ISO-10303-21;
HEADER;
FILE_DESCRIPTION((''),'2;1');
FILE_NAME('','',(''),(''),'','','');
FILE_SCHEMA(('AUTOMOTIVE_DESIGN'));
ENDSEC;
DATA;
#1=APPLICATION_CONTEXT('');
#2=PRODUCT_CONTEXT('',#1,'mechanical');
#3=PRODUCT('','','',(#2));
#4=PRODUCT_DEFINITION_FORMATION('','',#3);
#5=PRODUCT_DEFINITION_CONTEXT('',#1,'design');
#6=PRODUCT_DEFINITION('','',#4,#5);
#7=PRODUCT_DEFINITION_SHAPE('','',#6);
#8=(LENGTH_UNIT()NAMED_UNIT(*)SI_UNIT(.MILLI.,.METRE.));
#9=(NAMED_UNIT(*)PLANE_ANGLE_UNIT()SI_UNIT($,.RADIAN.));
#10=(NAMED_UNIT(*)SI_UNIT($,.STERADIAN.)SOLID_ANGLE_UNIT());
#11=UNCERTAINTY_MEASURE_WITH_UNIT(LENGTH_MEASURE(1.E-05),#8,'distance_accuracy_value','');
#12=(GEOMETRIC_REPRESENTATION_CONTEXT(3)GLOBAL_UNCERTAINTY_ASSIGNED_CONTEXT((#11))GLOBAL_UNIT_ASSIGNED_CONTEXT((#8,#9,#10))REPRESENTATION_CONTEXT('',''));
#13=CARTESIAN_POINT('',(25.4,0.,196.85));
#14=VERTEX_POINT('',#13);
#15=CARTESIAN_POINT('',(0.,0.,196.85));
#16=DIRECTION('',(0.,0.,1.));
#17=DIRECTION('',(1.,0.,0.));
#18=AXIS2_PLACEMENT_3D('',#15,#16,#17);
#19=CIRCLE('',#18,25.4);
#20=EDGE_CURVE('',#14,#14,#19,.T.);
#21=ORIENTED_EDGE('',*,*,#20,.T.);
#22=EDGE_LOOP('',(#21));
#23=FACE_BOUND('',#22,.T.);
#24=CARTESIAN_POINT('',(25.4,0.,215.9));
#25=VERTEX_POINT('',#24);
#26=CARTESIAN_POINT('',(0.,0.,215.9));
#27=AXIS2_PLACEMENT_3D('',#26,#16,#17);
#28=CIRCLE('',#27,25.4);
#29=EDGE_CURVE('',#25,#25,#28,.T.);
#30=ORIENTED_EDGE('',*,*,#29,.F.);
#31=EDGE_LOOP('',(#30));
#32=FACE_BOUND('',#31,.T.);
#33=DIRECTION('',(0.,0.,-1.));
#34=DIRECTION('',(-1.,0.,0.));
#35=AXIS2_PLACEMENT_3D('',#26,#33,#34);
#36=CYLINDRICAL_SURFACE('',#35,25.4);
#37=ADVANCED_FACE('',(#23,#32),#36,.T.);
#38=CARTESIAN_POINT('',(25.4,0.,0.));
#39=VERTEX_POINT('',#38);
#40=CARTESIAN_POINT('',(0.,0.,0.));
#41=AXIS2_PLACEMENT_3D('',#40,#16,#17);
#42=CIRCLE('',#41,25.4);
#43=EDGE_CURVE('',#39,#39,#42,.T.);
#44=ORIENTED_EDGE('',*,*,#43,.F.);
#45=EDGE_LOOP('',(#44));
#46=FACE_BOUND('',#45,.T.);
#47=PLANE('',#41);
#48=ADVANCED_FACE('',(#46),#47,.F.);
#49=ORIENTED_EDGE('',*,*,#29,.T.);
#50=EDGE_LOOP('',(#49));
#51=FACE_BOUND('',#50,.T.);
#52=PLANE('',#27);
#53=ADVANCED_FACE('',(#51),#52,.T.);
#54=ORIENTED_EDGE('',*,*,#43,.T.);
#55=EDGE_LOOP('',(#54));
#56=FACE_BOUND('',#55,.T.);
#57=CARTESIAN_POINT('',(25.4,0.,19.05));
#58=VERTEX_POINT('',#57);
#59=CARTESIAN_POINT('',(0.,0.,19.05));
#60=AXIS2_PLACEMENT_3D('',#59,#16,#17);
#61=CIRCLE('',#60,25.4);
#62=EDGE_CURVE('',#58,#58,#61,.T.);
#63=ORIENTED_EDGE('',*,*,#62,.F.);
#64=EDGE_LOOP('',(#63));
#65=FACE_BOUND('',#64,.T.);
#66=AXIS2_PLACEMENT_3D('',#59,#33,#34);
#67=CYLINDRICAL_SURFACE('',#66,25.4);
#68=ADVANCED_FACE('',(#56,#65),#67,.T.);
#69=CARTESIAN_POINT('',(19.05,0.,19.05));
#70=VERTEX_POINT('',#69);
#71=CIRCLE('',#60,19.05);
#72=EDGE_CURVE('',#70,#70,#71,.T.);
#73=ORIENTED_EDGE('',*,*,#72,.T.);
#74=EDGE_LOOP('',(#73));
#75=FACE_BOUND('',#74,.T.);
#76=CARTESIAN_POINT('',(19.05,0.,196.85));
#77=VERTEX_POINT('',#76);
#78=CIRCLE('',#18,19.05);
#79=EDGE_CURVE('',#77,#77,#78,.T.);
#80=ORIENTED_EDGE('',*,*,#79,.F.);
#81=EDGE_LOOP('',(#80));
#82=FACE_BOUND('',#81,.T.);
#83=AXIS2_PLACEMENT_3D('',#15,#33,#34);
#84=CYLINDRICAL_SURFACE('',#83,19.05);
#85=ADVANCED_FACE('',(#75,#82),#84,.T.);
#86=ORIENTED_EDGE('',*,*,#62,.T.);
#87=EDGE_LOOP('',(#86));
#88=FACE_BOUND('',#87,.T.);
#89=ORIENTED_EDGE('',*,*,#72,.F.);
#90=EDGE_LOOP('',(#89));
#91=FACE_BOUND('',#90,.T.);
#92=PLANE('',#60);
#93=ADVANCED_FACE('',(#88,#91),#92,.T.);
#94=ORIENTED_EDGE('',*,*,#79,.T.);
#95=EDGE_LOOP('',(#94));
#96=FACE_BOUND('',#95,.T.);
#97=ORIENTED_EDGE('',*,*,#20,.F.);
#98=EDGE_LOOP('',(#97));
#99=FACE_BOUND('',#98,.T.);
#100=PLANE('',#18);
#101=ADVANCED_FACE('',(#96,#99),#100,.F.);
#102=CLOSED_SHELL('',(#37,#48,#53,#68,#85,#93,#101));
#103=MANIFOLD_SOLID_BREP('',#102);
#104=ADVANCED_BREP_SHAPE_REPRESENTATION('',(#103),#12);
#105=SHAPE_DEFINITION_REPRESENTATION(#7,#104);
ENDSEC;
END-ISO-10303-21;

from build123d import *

# Parameters (mm, degrees)
SKETCH1_R           = 25.4
BOSS_EXTRUDE1_DEPTH = 19.05
SKETCH2_R           = 19.05
BOSS_EXTRUDE3_DEPTH = 177.8
SKETCH4_R           = 25.4
BOSS_EXTRUDE4_DEPTH = 19.05


with BuildPart() as part:
    # Sketch1 → Boss-Extrude1 (new body)
    with BuildSketch(Plane.XY):
        Circle(SKETCH1_R)
    extrude(amount=BOSS_EXTRUDE1_DEPTH)

    # Sketch2 → Boss-Extrude3 (add)
    with BuildSketch(Plane.XY.offset(19.05)):
        Circle(SKETCH2_R)
    extrude(amount=BOSS_EXTRUDE3_DEPTH)

    # Sketch4 → Boss-Extrude4 (add)
    with BuildSketch(Plane.XY.offset(196.85)):
        Circle(SKETCH4_R)
    extrude(amount=BOSS_EXTRUDE4_DEPTH)


solid = part.part
